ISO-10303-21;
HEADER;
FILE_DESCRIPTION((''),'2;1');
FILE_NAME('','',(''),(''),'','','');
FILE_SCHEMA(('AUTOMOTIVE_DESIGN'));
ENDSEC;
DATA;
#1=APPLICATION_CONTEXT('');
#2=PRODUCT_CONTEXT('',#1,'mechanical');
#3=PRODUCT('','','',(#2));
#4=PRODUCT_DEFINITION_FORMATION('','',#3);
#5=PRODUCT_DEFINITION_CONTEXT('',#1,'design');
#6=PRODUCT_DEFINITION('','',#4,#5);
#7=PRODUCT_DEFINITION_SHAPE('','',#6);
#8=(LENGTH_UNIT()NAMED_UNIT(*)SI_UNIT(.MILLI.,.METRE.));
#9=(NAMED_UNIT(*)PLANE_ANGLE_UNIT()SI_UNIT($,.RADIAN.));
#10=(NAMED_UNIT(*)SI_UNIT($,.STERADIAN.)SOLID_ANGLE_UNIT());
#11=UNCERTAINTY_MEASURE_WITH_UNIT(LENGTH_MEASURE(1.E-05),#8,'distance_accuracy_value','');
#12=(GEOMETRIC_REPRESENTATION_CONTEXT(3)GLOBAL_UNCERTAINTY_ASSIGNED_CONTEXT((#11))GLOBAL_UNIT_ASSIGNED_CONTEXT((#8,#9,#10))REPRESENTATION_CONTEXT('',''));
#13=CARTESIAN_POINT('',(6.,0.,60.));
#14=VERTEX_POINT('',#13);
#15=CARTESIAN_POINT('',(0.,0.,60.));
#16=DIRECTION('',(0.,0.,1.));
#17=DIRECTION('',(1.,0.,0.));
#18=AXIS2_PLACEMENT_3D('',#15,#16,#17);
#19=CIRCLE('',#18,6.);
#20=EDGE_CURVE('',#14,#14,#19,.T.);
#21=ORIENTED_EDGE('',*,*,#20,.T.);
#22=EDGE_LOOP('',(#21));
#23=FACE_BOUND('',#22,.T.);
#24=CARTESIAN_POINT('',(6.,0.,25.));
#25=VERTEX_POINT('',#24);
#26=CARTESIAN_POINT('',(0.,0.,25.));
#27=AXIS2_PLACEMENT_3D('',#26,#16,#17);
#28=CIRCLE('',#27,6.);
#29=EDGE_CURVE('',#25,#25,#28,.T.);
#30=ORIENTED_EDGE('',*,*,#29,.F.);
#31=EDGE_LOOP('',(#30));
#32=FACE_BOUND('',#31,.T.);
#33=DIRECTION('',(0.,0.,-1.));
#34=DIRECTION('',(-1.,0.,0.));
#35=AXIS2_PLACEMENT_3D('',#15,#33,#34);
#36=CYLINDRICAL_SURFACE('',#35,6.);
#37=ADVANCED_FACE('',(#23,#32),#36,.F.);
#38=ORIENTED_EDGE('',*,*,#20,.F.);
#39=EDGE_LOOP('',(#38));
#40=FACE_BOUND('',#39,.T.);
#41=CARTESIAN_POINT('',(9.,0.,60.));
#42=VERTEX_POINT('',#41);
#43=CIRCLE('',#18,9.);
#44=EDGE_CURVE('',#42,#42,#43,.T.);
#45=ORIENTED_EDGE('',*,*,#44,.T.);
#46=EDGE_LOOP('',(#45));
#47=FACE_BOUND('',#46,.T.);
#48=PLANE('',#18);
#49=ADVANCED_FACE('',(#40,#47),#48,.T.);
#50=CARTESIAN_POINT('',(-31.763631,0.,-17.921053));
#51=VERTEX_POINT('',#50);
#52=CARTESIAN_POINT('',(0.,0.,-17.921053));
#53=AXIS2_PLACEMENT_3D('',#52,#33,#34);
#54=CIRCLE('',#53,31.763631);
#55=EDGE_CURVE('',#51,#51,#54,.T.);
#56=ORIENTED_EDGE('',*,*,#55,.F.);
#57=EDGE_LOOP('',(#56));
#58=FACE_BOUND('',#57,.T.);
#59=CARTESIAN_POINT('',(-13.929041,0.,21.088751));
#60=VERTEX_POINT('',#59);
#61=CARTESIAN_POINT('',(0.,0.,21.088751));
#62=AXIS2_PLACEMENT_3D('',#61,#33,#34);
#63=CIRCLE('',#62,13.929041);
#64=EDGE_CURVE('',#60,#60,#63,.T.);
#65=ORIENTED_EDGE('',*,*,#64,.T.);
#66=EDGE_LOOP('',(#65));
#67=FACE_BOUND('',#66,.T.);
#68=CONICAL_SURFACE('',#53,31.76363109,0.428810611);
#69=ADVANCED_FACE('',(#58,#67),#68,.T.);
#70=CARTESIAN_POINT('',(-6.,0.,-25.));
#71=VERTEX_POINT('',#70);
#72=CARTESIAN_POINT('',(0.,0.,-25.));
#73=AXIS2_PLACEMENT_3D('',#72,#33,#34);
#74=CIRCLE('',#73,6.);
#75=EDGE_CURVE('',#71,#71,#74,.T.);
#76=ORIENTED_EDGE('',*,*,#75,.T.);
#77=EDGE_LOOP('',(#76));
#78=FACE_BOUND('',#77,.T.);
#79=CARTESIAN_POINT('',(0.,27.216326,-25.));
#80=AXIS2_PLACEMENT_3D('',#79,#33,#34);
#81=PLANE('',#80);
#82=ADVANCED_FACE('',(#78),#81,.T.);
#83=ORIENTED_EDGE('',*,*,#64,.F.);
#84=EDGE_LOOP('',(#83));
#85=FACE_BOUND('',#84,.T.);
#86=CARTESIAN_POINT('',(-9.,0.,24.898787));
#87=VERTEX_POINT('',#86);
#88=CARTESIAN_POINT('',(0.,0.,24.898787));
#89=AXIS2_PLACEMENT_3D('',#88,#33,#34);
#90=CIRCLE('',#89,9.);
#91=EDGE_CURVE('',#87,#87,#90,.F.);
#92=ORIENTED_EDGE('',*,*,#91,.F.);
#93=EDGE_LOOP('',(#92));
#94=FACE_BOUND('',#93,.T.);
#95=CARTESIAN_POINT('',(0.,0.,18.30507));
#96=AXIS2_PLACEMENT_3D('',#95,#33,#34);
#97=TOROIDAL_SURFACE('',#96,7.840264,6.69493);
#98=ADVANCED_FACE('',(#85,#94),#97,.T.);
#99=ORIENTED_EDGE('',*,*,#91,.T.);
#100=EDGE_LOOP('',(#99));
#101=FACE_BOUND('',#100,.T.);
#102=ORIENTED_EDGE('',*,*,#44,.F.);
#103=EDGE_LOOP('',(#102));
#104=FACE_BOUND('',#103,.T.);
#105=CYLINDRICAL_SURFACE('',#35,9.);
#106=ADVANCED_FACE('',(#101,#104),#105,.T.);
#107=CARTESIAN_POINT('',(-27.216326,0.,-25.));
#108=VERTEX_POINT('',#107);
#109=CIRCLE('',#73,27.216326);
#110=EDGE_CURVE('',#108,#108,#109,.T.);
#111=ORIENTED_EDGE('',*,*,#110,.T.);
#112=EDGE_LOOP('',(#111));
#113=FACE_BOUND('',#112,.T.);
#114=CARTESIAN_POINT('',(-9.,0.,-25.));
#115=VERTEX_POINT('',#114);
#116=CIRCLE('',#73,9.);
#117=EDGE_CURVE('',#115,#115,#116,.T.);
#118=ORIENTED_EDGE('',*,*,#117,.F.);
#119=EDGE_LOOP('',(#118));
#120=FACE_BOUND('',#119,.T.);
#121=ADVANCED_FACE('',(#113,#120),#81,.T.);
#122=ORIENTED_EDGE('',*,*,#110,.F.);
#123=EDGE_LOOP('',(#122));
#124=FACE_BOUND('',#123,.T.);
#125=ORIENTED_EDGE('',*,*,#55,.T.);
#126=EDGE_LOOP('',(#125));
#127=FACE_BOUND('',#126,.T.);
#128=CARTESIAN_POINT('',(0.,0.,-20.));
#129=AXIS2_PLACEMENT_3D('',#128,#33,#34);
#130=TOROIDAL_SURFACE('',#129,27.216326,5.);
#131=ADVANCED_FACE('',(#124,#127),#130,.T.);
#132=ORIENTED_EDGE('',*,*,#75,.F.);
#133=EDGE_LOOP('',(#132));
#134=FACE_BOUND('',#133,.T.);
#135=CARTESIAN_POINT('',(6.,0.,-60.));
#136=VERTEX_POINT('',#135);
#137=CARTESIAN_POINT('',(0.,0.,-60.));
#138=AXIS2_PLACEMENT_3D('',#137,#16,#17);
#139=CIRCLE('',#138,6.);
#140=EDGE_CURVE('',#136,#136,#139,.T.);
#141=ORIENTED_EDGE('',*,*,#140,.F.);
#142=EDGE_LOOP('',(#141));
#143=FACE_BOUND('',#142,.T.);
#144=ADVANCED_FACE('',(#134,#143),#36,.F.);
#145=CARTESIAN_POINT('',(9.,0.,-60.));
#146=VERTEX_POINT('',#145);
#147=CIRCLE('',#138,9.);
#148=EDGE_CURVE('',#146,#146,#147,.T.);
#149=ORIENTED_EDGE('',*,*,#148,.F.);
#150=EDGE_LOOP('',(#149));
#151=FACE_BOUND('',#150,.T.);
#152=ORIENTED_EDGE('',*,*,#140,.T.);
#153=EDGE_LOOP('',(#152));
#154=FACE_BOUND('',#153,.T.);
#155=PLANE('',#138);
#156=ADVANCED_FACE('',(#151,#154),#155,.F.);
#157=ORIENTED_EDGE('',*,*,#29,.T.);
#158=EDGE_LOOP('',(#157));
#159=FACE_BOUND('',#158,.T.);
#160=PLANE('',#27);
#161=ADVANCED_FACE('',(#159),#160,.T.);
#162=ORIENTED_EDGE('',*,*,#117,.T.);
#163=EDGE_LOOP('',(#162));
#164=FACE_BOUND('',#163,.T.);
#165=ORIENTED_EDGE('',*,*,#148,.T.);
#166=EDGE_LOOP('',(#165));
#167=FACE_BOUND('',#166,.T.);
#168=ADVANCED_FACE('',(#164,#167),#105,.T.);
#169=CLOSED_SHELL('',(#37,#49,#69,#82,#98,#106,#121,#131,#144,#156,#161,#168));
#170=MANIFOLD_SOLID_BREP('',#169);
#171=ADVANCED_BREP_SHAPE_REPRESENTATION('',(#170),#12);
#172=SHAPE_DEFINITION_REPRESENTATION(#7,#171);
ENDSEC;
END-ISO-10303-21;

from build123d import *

# Parameters (mm, degrees)
SKETCH1_R           = 9
SKETCH1_R_2         = 6
BOSS_EXTRUDE1_DEPTH = 60


with BuildPart() as part:
    # Sketch1 → Boss-Extrude1 (new, symmetric)
    with BuildSketch(Plane.XY):
        Circle(SKETCH1_R)
        Circle(SKETCH1_R_2, mode=Mode.SUBTRACT)
    extrude(amount=BOSS_EXTRUDE1_DEPTH, both=True)

    # Sketch2 → Revolve1 (revolve)
    with BuildSketch(Plane(origin=(0, 0, 0), x_dir=(0, 0, -1), z_dir=(1, 0, 0)), mode=Mode.PRIVATE) as revolve1_sk:
        with BuildLine():
            Line((-25, 0), (-25, 7.840263865))
            ThreePointArc((-25, 7.840263865), (-23.93794832, 11.458657097), (-21.088750877, 13.929041134))
            Line((-21.088750877, 13.929041134), (17.921053029, 31.76363109))
            ThreePointArc((17.921053029, 31.76363109), (22.702338353, 31.423150362), (25, 27.21632645))
            Line((25, 27.21632645), (25, 0))
            Line((25, 0), (-25, 0))
        make_face()
    revolve(revolve1_sk.sketch.rotate(Axis((0, 0, -25), (0, 0, 1)), 90), axis=Axis((0, 0, -25), (0, 0, 1)))


solid = part.part
